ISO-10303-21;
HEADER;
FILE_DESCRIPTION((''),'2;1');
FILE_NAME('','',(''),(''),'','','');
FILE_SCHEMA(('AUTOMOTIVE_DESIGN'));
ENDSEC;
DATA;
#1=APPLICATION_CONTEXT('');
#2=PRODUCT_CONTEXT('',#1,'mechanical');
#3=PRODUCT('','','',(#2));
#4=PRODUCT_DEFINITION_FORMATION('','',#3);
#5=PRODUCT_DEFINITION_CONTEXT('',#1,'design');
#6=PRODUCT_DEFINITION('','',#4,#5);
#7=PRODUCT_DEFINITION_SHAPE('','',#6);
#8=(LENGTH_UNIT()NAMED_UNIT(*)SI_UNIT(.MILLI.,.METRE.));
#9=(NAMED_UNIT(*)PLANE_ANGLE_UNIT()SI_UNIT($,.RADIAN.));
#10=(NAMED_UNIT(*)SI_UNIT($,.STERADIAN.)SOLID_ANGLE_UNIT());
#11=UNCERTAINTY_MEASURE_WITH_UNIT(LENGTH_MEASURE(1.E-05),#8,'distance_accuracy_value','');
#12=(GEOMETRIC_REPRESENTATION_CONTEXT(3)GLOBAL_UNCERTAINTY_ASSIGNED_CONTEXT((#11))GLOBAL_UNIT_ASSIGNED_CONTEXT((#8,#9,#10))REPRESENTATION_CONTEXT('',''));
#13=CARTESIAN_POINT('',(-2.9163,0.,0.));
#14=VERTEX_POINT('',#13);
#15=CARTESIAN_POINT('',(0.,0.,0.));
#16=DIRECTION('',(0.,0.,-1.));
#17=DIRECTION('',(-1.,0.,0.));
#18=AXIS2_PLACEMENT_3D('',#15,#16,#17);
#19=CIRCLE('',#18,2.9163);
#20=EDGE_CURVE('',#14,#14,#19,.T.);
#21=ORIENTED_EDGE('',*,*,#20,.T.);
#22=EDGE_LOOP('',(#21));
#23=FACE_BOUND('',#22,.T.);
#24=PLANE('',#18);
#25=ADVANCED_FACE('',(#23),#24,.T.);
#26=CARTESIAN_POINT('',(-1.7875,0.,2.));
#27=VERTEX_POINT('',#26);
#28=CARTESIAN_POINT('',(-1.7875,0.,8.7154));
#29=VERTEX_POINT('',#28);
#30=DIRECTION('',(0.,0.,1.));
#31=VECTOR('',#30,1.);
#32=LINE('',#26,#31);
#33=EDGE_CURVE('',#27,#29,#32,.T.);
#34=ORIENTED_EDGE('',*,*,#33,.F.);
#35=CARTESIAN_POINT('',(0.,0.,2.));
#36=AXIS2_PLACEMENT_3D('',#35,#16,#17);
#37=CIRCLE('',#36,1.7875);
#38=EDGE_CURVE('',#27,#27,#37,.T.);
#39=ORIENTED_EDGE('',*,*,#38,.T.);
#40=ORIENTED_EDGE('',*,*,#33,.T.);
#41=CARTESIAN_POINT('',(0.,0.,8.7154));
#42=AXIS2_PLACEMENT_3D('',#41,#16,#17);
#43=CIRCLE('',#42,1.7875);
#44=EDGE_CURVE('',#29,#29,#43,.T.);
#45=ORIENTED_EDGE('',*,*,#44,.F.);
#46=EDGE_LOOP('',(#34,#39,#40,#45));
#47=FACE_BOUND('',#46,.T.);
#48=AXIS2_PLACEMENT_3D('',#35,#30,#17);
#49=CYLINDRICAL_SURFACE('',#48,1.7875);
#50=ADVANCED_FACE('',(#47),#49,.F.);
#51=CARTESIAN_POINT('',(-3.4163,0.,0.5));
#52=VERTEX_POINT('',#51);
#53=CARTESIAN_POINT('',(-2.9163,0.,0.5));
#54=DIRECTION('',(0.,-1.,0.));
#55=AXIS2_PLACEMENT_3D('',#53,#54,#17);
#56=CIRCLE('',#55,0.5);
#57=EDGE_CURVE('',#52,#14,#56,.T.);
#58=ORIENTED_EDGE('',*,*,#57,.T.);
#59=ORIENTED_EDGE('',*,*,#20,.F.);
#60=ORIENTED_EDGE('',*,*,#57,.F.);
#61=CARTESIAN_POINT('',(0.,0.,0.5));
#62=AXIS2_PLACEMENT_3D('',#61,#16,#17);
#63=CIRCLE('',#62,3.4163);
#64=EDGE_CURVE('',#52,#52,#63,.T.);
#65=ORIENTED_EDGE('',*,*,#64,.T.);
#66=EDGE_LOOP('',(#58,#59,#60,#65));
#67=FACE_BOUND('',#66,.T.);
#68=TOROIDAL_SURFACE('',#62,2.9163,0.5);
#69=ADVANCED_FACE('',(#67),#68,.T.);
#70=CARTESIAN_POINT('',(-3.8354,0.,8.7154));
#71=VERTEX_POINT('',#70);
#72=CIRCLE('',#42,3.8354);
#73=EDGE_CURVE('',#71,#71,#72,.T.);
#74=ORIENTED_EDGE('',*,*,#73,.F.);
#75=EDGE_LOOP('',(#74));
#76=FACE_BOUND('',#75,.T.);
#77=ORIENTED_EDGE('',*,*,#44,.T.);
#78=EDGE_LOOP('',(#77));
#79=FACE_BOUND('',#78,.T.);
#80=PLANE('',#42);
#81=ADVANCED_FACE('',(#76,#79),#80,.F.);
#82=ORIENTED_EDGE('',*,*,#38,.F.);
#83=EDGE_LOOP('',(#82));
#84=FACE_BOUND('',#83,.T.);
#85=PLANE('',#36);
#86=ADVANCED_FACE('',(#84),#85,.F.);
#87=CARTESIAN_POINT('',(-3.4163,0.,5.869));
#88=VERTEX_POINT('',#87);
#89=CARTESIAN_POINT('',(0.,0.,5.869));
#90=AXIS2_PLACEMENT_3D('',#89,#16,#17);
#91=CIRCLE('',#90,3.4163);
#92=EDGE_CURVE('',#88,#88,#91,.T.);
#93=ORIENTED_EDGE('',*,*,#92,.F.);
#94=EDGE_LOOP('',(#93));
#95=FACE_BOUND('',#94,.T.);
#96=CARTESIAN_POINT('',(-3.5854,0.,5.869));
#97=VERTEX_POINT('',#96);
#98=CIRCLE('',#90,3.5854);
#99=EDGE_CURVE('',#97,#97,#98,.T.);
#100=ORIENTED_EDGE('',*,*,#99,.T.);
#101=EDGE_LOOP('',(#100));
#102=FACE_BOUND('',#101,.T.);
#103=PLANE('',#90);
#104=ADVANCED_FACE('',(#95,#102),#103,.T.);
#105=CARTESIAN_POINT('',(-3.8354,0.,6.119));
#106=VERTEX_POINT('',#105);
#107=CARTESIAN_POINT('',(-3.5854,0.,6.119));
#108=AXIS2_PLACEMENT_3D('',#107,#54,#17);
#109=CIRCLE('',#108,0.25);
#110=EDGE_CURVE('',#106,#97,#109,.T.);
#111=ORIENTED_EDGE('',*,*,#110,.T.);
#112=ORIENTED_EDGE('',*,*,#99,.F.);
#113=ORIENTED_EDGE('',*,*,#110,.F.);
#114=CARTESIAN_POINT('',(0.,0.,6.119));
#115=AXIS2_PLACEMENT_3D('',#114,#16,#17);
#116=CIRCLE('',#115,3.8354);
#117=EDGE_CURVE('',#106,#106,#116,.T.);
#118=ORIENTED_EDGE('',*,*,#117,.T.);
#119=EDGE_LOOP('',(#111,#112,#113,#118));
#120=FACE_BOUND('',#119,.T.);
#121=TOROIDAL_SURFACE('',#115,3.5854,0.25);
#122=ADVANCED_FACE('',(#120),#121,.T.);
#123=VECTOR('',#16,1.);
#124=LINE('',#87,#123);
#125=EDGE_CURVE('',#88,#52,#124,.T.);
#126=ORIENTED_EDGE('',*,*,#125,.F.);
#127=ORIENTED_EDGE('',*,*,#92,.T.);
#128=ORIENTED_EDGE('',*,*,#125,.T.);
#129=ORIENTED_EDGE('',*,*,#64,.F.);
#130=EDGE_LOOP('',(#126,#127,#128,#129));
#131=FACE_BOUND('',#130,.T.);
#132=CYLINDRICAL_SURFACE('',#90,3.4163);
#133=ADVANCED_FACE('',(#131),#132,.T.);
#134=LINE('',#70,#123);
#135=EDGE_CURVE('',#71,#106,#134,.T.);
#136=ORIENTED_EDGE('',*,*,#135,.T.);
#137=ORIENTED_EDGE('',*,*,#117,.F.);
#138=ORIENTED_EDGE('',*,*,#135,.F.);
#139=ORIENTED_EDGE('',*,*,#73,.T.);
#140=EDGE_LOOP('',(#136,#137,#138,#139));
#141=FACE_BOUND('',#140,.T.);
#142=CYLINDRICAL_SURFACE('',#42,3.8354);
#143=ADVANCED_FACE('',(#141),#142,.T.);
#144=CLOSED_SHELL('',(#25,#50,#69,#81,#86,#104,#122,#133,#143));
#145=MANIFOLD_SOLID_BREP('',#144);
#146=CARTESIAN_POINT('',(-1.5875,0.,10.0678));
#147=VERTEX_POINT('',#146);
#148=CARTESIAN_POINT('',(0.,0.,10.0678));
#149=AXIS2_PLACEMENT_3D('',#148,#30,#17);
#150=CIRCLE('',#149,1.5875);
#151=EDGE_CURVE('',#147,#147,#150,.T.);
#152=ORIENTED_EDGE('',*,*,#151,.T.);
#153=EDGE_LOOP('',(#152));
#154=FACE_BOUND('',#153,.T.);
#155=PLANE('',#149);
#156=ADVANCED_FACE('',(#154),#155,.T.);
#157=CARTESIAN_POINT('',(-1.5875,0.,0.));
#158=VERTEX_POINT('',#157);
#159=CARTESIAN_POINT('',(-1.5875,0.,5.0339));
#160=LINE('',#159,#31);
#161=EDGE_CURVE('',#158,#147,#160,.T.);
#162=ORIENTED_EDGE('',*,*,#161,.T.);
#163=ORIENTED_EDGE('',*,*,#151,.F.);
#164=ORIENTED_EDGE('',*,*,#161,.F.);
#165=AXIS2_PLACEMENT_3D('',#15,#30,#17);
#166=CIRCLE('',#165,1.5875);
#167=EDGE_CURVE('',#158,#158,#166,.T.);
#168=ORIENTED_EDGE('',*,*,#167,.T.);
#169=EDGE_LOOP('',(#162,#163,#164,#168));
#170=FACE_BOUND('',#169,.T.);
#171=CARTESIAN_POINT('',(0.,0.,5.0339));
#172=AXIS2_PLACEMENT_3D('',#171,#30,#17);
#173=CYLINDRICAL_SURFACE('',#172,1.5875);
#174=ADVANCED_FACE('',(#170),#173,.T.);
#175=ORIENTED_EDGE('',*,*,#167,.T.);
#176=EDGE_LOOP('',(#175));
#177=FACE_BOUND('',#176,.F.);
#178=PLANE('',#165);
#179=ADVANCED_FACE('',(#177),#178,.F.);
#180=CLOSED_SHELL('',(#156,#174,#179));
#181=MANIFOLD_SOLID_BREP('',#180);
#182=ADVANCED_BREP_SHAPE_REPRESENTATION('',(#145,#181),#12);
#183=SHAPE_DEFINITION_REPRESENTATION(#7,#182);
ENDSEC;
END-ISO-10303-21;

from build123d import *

# Parameters (mm, degrees)
F2_R = 0.25
F3_R = 0.5
F4_W = 1.5875
F4_H = 10.0678


with BuildPart() as f1:
    # F0 (on Front) → F1 (revolve)
    with BuildSketch(Plane.XZ):
        Polygon((-3.4163, 0), (0, 0), (0, 2), (-1.7875, 2), (-1.7875, 8.7154), (-3.8354, 8.7154), (-3.8354, 5.869), (-3.4163, 5.869), align=None)
    revolve(axis=Axis((0, 0, 1), (0, 0, -1)))

    # F2
    f2_edges = [f1.edges().sort_by_distance(p)[0] for p in [
        (3.8354, 0, 5.869),
    ]]
    fillet(f2_edges, radius=F2_R)

    # F3
    f3_edges = [f1.edges().sort_by_distance(p)[0] for p in [
        (3.4163, 0, 0),
    ]]
    fillet(f3_edges, radius=F3_R)


with BuildPart() as f5:
    # F4 (on Front) → F5 (revolve)
    with BuildSketch(Plane.XZ):
        with Locations((-0.79375, 5.0339)):
            Rectangle(F4_W, F4_H)
    revolve(axis=Axis((0, 0, 5.0339), (0, 0, 1)))


solid = Compound([f1.part, f5.part])
